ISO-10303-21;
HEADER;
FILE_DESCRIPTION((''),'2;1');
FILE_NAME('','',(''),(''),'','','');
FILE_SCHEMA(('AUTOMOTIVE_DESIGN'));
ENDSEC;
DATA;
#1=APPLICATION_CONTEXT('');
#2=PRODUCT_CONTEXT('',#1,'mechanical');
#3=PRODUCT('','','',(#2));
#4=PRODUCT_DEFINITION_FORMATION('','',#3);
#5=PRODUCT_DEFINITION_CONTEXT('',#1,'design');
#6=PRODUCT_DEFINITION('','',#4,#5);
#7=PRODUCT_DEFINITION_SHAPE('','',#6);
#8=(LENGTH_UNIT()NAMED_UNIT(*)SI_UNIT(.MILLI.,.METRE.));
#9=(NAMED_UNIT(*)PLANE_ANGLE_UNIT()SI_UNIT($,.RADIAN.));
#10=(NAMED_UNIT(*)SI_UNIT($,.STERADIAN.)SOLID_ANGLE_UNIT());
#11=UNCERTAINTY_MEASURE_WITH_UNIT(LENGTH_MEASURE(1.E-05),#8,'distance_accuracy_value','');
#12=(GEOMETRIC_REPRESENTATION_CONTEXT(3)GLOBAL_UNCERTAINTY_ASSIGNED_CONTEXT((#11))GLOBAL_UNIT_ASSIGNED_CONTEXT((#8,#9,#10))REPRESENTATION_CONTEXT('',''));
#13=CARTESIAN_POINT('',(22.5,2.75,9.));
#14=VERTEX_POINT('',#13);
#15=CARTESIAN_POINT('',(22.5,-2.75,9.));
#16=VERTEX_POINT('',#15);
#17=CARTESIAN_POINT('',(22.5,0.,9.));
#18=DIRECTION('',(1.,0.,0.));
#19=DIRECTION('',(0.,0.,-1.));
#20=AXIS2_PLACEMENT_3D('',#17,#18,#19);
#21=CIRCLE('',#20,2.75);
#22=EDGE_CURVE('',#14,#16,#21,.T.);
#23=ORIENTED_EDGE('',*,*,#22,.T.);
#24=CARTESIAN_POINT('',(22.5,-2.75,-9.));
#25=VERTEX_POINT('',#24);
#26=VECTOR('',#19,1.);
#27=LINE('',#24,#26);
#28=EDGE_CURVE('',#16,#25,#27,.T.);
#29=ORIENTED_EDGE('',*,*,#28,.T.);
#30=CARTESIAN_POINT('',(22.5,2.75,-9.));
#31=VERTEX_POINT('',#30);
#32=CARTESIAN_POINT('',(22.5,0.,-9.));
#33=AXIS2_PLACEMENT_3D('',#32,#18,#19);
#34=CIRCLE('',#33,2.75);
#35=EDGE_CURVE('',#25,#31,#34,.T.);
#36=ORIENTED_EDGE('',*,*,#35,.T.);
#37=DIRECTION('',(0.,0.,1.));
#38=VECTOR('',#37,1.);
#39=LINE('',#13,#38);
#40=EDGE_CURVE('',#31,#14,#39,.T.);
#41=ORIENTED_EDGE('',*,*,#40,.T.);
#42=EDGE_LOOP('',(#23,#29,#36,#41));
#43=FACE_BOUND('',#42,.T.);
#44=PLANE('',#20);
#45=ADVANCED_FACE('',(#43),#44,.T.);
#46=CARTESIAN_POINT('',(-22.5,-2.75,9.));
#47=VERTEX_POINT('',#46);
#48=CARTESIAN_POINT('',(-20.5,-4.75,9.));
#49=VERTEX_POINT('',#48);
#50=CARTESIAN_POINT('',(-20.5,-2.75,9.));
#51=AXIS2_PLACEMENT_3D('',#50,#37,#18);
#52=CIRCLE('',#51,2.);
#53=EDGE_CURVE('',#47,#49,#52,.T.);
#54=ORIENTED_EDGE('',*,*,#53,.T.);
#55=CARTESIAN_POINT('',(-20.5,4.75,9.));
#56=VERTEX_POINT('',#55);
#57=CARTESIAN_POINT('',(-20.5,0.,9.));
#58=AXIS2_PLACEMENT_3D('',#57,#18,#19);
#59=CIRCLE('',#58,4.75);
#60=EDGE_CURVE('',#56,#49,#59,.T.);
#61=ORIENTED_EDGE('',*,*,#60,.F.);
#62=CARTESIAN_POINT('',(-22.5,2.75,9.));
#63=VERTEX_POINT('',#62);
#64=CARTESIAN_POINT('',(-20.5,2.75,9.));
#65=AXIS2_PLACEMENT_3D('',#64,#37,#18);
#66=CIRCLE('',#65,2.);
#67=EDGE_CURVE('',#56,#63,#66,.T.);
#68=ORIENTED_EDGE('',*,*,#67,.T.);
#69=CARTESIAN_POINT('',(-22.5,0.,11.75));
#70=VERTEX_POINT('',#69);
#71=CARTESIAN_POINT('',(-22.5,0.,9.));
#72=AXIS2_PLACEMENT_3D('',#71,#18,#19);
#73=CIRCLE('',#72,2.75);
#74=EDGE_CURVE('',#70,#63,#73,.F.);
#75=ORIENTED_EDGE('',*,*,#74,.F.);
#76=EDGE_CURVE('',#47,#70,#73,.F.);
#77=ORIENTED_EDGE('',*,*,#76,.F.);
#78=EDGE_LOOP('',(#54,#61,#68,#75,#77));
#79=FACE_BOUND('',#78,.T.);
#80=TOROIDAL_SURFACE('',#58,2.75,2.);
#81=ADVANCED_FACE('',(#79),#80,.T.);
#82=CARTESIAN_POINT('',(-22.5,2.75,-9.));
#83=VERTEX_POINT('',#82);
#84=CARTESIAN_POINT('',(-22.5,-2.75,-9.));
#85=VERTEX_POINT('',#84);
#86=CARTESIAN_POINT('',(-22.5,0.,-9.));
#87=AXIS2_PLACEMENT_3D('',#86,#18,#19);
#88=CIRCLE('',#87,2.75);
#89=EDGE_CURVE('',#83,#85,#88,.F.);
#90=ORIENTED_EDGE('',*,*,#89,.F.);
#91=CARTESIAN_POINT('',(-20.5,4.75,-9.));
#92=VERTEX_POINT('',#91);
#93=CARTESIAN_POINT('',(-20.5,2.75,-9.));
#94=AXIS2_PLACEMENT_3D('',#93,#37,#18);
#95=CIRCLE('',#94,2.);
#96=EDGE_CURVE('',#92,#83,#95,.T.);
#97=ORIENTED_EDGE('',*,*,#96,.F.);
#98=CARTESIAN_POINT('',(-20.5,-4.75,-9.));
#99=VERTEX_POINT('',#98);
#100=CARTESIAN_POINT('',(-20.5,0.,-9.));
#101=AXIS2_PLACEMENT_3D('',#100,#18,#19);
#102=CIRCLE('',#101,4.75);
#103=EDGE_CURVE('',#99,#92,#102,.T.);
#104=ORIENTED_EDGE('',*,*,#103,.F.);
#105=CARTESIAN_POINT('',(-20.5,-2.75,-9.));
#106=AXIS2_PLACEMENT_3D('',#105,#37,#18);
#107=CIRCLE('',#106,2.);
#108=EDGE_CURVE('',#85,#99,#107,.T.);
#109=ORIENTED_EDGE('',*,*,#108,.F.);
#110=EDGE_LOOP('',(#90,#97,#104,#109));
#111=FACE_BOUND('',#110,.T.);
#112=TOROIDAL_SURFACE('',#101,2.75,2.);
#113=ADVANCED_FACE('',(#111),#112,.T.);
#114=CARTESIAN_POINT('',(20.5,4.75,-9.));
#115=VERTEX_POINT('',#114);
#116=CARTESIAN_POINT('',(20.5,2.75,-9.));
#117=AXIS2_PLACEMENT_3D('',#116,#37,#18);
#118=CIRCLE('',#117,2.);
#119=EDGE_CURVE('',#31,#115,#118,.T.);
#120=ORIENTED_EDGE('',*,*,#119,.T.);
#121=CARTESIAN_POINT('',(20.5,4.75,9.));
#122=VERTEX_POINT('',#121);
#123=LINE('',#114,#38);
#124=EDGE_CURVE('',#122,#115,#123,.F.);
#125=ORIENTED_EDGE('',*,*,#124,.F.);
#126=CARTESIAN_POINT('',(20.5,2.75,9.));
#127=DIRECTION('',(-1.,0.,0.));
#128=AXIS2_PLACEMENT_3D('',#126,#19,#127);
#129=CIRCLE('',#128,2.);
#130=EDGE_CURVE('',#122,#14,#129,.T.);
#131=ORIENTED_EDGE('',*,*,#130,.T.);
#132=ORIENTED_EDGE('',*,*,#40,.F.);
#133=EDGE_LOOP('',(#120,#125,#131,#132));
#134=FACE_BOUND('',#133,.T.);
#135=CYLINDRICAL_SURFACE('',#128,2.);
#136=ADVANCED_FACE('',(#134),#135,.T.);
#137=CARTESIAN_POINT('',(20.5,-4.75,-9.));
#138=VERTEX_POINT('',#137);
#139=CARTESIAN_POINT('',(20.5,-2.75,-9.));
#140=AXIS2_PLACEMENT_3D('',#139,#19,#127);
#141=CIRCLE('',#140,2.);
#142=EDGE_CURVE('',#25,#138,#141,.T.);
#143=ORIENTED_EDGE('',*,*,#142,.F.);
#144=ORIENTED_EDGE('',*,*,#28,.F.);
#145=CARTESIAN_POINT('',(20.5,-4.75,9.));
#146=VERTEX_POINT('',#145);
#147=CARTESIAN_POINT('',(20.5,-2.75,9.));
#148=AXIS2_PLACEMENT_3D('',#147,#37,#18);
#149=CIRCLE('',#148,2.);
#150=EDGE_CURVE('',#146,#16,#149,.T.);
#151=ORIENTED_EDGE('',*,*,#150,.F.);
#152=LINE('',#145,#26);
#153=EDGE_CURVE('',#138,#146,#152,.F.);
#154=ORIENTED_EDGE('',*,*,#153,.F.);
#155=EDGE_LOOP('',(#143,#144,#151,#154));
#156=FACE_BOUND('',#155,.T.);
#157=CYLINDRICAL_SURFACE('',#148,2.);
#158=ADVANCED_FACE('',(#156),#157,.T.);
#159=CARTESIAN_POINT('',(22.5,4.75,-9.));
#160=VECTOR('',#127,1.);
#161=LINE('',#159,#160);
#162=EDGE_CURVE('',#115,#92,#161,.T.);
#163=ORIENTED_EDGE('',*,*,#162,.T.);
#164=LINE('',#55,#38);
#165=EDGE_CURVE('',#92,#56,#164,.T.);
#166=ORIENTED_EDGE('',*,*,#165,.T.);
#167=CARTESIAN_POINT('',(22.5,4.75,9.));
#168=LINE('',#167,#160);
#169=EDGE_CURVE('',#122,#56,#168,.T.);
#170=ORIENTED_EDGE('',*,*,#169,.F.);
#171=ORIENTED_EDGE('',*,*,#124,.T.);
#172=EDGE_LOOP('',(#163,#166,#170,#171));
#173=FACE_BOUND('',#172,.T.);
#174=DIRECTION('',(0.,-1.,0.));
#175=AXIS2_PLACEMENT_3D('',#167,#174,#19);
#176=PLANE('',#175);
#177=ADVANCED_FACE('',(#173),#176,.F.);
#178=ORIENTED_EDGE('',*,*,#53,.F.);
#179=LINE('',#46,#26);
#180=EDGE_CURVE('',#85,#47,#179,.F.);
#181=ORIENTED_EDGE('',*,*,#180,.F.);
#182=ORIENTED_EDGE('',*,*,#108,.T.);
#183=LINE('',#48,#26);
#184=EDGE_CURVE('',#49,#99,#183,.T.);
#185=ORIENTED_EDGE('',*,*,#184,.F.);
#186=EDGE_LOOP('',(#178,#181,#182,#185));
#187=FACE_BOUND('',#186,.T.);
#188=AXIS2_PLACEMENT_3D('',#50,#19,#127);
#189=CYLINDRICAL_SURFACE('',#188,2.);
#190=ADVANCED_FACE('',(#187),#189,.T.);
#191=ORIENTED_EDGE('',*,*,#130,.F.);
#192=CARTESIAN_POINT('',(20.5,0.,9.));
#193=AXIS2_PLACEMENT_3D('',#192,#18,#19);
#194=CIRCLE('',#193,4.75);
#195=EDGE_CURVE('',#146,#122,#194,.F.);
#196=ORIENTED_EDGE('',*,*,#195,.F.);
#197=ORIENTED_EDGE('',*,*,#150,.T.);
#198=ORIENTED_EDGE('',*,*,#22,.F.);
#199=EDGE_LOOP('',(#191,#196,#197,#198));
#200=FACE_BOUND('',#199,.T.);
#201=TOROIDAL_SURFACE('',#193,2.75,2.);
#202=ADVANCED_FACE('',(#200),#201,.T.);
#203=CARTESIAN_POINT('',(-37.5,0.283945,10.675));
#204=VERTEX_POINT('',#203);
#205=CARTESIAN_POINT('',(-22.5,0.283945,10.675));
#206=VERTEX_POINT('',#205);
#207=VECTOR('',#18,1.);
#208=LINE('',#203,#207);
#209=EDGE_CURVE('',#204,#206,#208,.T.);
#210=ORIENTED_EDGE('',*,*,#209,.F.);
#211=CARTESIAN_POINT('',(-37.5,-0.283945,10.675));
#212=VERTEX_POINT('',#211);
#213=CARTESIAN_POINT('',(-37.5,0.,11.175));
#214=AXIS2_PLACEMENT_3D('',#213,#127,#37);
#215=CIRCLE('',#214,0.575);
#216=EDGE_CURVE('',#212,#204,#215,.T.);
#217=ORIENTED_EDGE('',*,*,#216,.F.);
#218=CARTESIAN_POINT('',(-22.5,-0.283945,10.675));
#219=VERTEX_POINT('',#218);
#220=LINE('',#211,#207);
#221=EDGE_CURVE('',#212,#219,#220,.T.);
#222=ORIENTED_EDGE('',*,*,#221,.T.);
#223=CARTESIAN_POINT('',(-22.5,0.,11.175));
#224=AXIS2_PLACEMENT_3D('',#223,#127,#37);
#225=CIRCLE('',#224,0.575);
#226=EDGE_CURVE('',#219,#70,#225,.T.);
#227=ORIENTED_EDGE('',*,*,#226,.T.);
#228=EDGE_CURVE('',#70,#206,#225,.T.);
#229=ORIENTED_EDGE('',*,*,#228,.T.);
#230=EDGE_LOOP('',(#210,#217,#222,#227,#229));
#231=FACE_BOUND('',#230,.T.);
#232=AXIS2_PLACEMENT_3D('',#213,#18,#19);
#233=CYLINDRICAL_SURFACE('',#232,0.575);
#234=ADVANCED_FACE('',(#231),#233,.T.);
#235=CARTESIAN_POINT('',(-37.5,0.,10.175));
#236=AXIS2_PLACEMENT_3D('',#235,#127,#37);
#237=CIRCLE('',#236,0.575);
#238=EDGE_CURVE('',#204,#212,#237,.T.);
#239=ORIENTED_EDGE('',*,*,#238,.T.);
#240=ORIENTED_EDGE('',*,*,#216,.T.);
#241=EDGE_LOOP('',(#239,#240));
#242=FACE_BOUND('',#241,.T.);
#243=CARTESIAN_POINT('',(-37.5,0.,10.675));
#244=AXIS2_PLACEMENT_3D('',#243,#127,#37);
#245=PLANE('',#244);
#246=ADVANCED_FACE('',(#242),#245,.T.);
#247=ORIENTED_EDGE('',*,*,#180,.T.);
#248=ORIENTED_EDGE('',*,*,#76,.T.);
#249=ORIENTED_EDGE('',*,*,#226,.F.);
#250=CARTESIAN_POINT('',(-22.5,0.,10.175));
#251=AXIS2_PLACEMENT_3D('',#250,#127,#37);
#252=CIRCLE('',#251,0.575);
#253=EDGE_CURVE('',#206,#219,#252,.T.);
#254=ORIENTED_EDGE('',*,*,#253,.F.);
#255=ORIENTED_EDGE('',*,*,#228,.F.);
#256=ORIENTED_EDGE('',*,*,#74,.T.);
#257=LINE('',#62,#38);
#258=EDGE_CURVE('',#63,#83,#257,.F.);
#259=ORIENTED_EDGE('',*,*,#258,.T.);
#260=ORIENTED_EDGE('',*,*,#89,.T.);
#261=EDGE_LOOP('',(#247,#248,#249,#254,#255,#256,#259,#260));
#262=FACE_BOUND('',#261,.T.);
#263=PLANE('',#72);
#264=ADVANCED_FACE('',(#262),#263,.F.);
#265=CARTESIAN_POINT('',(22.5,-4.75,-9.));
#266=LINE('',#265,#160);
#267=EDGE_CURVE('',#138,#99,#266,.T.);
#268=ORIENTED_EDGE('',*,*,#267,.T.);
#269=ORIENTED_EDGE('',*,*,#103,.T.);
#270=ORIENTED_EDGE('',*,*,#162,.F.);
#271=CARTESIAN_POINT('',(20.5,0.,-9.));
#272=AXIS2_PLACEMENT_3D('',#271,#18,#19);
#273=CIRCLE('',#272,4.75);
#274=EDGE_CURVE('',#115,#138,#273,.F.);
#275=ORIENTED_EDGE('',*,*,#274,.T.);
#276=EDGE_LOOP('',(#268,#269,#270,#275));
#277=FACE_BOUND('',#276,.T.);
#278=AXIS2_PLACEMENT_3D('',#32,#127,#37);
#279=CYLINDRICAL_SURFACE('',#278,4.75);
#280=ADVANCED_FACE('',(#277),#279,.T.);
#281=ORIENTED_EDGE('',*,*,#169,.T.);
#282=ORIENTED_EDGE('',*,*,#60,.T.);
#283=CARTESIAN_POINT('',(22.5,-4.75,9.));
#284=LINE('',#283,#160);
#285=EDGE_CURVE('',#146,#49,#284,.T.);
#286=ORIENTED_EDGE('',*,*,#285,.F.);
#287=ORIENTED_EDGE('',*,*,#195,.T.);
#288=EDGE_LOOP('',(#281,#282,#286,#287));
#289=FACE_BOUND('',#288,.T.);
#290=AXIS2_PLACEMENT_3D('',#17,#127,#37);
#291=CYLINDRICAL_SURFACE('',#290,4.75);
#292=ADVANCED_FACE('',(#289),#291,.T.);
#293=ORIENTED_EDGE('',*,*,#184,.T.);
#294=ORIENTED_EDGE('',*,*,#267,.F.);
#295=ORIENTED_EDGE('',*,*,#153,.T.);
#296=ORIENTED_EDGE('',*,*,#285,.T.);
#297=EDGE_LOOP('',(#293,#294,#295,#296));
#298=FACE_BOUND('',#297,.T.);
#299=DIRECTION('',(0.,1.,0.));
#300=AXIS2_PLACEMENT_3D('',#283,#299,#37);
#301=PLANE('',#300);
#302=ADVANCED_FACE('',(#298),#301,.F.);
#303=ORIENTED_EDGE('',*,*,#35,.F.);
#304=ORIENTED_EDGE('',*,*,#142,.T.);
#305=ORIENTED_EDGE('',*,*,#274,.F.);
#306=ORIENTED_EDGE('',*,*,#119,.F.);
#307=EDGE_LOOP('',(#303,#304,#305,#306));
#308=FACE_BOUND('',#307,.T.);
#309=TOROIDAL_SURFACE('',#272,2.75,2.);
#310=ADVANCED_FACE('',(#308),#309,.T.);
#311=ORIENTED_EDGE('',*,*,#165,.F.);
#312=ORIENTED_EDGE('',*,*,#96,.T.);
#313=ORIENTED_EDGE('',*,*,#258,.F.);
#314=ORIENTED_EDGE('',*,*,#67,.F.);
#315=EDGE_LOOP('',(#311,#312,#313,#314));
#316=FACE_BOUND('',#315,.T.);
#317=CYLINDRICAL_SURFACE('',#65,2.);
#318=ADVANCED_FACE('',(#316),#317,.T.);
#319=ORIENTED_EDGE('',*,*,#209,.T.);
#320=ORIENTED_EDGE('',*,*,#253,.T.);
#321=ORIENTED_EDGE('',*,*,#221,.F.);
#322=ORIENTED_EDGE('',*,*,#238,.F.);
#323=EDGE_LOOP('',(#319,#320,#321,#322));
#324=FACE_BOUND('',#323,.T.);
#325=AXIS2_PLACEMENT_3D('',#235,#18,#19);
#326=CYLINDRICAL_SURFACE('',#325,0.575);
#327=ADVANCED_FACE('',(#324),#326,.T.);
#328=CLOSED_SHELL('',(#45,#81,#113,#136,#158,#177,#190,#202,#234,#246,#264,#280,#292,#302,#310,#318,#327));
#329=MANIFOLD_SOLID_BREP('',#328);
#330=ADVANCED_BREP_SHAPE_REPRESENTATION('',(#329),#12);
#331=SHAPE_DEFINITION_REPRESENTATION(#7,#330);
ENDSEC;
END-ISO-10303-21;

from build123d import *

# Parameters (mm, degrees)
BOSS_EXTRUDE1_DEPTH = 22.5
FILLET1_R           = 2
BOSS_EXTRUDE2_DEPTH = 15


with BuildPart() as part:
    # Sketch1 → Boss-Extrude1 (new, symmetric)
    with BuildSketch(Plane(origin=(0, 0, 0), x_dir=(0, 0, -1), z_dir=(1, 0, 0))):
        with BuildLine():
            Line((-9, 4.75), (9, 4.75))
            ThreePointArc((9, 4.75), (13.75, 0), (9, -4.75))
            Line((9, -4.75), (-9, -4.75))
            ThreePointArc((-9, -4.75), (-13.75, 0), (-9, 4.75))
        make_face()
    extrude(amount=BOSS_EXTRUDE1_DEPTH, both=True)

    # Fillet1
    fillet1_edges = [part.edges().sort_by_distance(p)[0] for p in [
        (22.5, 0, -13.75),
        (22.5, 4.75, 0),
        (22.5, 0, 13.75),
        (-22.5, 4.75, 0),
        (-22.5, 0, -13.75),
        (-22.5, -4.75, 0),
        (-22.5, 0, 13.75),
        (22.5, -4.75, 0),
    ]]
    fillet(fillet1_edges, radius=FILLET1_R)

    # Sketch2 → Boss-Extrude2 (add)
    with BuildSketch(Plane.ZY.offset(22.5)):
        with BuildLine():
            ThreePointArc((10.675, 0.283945417), (9.6, 0), (10.675, -0.283945417))
            ThreePointArc((10.675, -0.283945417), (11.75, 0), (10.675, 0.283945417))
        make_face()
    extrude(amount=BOSS_EXTRUDE2_DEPTH)


solid = part.part
